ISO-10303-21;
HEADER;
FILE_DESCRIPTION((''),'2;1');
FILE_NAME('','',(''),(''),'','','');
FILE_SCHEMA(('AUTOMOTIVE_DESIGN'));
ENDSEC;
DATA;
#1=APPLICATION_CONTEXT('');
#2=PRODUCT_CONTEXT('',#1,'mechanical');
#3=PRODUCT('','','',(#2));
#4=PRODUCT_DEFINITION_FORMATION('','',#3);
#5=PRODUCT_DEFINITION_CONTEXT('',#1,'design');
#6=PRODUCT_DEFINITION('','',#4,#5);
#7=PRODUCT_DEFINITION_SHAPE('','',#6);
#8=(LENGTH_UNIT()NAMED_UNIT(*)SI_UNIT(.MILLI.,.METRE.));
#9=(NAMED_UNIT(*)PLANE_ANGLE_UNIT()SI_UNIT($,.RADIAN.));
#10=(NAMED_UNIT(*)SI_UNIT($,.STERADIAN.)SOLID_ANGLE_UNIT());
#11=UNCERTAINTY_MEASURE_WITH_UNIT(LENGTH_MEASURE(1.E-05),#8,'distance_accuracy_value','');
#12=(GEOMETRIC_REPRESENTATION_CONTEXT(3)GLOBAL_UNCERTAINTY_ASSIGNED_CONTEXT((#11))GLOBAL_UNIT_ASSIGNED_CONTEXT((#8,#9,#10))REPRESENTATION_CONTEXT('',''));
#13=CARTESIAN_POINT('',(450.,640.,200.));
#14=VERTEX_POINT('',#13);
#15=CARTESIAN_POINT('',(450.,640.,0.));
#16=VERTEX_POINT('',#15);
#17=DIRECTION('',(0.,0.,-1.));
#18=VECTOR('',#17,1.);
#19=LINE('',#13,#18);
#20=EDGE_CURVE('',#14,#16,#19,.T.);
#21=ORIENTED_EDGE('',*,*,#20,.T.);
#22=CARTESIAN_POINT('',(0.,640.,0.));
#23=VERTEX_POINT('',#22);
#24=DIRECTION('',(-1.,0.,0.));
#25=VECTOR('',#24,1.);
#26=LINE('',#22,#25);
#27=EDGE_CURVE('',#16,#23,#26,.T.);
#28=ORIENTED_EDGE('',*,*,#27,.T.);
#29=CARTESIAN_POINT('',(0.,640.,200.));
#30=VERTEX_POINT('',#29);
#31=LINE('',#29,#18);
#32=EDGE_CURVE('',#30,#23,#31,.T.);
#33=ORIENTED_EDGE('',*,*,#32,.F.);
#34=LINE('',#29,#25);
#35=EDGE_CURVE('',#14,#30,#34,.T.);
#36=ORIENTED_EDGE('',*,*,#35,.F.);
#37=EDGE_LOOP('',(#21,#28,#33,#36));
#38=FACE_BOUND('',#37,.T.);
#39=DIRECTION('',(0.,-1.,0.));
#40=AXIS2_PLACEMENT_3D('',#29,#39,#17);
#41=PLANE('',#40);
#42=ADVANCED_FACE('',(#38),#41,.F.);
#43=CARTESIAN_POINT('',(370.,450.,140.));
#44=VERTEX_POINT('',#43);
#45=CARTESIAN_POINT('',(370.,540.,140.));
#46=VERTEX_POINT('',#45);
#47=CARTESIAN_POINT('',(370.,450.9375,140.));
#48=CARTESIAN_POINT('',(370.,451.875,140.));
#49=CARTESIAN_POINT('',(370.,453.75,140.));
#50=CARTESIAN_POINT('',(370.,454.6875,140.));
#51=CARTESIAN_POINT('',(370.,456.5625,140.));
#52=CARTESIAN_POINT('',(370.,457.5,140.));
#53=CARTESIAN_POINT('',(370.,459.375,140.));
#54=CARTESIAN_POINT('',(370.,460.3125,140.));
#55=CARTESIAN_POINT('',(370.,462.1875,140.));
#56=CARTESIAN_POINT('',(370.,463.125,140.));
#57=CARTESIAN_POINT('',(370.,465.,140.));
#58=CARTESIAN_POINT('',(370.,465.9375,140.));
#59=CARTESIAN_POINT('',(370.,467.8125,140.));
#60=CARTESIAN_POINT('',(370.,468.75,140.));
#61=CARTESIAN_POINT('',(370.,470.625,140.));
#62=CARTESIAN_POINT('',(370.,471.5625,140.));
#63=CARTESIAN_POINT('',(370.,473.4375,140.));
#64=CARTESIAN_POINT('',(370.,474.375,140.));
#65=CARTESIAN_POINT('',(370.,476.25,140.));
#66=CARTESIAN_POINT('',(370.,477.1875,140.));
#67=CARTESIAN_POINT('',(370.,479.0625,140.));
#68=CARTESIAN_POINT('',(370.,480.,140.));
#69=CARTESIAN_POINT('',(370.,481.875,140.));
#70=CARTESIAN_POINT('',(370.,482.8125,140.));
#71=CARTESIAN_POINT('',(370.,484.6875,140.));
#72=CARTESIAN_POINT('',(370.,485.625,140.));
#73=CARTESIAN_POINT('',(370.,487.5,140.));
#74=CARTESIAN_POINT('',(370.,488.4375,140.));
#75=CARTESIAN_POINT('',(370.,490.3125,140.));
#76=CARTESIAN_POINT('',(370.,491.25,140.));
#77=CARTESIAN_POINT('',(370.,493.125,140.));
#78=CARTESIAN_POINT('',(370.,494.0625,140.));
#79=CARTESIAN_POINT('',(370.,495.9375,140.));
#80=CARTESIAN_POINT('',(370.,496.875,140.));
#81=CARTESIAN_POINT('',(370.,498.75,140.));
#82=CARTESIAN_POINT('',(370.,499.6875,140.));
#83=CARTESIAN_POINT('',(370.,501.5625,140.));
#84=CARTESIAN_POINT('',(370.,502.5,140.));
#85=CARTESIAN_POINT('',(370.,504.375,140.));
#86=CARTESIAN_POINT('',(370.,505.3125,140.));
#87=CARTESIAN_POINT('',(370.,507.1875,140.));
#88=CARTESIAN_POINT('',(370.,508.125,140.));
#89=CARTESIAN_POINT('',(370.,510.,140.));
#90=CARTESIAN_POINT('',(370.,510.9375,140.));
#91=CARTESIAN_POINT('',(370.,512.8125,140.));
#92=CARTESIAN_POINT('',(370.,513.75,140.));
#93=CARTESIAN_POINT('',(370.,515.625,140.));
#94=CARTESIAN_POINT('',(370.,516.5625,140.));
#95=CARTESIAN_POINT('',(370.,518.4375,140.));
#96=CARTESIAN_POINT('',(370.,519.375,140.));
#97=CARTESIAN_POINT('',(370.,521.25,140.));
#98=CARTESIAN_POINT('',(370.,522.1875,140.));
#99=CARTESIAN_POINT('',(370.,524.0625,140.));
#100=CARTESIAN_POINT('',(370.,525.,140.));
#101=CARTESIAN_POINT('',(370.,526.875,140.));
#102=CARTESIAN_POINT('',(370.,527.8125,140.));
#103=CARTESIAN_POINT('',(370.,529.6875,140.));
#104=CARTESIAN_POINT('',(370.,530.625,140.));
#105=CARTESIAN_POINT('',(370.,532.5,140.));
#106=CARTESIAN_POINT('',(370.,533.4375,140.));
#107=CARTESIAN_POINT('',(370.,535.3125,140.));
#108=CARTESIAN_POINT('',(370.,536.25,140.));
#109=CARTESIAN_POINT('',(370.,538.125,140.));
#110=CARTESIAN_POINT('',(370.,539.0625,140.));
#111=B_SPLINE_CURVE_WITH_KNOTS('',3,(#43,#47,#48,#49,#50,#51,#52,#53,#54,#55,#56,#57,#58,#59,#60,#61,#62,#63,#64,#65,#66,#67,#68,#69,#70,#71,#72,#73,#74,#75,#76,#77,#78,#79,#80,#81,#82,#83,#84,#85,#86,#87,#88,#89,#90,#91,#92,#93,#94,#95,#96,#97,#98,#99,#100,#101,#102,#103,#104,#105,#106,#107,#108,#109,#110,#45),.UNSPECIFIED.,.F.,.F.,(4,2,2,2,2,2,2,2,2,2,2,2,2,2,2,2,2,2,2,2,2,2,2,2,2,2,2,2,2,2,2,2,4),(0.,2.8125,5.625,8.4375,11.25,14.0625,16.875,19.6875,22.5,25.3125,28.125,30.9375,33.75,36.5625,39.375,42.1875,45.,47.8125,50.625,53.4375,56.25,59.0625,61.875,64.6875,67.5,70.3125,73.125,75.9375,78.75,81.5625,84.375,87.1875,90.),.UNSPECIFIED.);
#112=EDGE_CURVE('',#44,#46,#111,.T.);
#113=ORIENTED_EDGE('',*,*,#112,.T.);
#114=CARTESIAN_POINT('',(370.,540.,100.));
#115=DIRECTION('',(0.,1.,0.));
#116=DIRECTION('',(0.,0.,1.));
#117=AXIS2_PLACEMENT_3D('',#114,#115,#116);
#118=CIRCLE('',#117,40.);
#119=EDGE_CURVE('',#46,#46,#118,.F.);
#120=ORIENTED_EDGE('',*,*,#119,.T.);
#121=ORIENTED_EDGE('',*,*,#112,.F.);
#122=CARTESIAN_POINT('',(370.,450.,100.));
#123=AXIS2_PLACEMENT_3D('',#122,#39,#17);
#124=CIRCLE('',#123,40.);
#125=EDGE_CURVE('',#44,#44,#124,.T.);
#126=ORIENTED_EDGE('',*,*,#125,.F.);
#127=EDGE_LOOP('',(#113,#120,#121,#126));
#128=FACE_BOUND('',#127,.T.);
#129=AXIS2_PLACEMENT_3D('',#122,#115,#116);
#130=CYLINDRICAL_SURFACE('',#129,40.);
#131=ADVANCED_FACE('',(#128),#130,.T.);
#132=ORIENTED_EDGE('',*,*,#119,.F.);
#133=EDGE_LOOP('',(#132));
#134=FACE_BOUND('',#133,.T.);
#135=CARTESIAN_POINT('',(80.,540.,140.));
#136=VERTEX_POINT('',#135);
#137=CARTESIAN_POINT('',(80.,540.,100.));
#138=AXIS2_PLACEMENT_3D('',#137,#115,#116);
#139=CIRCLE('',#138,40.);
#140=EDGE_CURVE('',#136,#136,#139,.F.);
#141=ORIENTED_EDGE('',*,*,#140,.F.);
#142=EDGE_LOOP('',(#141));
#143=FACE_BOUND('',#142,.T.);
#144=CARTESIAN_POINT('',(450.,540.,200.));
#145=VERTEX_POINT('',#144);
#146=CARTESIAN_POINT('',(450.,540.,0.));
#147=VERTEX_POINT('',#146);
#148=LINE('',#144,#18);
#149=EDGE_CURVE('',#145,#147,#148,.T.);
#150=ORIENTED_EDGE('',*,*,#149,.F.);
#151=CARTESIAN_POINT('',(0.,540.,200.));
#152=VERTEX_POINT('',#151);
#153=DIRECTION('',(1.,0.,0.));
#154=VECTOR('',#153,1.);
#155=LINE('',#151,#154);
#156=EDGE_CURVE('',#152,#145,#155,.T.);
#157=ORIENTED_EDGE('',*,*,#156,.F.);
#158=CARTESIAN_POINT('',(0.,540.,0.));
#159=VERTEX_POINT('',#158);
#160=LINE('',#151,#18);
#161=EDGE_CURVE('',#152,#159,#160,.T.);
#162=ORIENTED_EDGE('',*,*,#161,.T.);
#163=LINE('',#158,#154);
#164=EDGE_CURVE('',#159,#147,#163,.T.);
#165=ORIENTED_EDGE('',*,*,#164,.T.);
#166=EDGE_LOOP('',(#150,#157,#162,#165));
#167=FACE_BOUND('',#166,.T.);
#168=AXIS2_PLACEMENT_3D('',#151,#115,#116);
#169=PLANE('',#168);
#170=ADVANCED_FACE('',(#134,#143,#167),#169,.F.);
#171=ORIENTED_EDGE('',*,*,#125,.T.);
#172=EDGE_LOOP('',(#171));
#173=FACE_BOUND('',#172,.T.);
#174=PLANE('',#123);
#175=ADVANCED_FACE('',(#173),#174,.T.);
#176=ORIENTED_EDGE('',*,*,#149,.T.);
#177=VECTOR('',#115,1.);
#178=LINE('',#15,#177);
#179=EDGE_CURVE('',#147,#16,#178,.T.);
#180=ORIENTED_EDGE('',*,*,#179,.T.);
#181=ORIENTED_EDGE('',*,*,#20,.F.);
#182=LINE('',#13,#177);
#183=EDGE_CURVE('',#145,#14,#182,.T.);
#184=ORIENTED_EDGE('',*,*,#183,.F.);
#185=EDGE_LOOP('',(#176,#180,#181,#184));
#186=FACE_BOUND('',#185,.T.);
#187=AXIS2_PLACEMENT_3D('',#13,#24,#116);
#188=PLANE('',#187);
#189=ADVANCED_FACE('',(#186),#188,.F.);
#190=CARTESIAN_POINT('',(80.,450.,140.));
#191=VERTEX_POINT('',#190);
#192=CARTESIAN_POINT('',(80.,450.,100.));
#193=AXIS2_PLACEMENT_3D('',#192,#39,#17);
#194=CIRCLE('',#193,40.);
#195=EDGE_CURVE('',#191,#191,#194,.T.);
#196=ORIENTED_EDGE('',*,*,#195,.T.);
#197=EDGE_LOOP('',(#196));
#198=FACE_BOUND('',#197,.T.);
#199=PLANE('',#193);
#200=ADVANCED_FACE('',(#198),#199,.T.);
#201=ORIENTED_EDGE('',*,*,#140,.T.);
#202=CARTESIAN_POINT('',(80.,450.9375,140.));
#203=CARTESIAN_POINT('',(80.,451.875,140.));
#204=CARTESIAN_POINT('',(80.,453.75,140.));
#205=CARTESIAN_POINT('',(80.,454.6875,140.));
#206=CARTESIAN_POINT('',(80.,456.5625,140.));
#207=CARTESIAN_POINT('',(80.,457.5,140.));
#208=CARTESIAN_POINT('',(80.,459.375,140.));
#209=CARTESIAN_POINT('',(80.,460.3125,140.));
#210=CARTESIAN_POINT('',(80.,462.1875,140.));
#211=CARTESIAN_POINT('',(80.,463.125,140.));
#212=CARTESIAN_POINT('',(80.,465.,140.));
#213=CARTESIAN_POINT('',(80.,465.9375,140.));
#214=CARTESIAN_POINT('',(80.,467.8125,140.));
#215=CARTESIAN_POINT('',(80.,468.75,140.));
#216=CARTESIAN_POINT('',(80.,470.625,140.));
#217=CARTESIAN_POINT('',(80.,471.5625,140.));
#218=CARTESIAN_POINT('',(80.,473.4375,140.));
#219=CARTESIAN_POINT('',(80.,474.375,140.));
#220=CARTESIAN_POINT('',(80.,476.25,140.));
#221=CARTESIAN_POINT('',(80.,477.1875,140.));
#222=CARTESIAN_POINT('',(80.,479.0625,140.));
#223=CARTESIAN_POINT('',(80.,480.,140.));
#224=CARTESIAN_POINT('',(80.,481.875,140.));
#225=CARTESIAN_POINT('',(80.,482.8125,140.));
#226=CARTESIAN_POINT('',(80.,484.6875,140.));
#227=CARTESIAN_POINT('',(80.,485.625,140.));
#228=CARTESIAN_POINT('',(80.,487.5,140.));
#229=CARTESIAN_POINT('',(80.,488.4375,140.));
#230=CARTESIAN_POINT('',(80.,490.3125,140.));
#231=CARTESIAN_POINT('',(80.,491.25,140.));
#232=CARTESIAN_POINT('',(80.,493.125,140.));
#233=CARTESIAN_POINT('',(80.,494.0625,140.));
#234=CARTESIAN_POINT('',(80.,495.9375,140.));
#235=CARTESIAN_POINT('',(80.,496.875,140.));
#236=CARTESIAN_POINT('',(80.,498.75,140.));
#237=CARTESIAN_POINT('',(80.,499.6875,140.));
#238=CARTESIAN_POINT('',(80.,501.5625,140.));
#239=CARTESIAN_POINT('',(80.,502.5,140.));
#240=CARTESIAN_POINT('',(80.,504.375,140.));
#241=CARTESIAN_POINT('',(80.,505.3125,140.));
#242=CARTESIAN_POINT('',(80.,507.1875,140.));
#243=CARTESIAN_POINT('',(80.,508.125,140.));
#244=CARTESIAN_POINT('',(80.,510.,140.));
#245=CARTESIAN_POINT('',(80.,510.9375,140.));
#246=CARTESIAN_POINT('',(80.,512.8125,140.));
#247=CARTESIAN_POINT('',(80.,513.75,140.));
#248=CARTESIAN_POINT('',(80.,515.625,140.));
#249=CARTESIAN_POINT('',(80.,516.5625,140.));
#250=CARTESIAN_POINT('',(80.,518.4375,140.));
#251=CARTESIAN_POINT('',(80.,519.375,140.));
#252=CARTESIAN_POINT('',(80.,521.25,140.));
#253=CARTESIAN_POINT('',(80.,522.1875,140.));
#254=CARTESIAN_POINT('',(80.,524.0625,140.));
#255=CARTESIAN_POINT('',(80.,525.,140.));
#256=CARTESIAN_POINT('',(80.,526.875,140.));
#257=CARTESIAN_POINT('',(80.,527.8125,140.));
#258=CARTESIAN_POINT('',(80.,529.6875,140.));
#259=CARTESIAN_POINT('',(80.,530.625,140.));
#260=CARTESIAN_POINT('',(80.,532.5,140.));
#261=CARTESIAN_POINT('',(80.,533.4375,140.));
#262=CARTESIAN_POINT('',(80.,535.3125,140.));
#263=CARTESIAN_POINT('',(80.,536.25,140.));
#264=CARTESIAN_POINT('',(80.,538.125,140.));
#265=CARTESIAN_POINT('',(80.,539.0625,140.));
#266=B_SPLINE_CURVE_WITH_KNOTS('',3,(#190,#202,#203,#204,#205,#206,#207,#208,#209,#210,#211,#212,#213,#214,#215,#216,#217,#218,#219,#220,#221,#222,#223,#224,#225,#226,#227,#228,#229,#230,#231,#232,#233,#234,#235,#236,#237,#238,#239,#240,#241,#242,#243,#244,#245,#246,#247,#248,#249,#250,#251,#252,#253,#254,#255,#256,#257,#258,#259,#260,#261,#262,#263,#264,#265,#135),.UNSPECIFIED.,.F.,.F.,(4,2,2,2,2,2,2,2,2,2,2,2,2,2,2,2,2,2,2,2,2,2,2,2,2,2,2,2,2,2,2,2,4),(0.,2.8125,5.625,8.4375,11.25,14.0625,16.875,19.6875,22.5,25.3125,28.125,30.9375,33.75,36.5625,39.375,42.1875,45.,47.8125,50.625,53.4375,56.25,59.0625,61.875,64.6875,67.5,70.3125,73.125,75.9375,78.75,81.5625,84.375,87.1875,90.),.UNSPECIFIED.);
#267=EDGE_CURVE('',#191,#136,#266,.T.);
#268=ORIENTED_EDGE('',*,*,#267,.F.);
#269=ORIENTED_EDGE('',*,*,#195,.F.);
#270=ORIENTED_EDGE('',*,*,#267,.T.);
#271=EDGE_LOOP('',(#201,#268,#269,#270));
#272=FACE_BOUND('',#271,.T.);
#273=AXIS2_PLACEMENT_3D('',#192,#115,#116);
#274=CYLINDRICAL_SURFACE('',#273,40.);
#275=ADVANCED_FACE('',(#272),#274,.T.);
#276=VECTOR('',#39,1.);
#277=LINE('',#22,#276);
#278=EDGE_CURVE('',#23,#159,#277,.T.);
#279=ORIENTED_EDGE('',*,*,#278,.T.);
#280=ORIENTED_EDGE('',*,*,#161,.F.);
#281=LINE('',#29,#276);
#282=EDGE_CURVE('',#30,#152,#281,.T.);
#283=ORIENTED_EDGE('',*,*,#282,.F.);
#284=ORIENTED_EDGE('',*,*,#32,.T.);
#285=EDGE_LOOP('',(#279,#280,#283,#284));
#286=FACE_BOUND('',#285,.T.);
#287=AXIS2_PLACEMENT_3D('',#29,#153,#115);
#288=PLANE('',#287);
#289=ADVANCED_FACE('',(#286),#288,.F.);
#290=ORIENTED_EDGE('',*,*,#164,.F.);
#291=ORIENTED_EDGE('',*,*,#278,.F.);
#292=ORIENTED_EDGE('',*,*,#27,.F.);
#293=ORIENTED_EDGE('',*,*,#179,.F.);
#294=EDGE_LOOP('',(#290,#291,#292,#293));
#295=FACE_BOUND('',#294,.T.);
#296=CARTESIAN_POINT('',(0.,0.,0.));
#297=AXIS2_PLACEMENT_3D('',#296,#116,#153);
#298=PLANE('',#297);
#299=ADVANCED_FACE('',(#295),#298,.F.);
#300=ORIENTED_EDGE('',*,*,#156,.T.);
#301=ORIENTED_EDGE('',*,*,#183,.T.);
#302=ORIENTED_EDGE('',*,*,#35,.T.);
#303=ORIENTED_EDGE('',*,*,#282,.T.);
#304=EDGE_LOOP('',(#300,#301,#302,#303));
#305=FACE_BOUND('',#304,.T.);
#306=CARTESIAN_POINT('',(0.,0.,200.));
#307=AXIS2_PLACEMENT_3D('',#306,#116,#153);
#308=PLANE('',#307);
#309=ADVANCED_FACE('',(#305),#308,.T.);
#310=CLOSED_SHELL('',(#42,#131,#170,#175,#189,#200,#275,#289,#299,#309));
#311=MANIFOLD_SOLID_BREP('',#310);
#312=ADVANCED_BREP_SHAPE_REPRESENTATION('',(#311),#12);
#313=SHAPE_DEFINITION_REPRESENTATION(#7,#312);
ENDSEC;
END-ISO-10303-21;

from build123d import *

# Parameters (mm, degrees)
SKETCH1_W           = 450
SKETCH1_H           = 100
BOSS_EXTRUDE1_DEPTH = 200
SKETCH2_R           = 40
BOSS_EXTRUDE2_DEPTH = 90


with BuildPart() as part:
    # Sketch1 → Boss-Extrude1 (new body)
    with BuildSketch(Plane.XY):
        with Locations((225, 590)):
            Rectangle(SKETCH1_W, SKETCH1_H)
    extrude(amount=BOSS_EXTRUDE1_DEPTH)

    # Sketch2 → Boss-Extrude2 (add)
    with BuildSketch(Plane.XZ.offset(-540)):
        with Locations(Location((80, 100, 0), (0, 0, 90))):
            Circle(SKETCH2_R)
        with Locations(Location((370, 100, 0), (0, 0, 90))):
            Circle(SKETCH2_R)
    extrude(amount=BOSS_EXTRUDE2_DEPTH)


solid = part.part
